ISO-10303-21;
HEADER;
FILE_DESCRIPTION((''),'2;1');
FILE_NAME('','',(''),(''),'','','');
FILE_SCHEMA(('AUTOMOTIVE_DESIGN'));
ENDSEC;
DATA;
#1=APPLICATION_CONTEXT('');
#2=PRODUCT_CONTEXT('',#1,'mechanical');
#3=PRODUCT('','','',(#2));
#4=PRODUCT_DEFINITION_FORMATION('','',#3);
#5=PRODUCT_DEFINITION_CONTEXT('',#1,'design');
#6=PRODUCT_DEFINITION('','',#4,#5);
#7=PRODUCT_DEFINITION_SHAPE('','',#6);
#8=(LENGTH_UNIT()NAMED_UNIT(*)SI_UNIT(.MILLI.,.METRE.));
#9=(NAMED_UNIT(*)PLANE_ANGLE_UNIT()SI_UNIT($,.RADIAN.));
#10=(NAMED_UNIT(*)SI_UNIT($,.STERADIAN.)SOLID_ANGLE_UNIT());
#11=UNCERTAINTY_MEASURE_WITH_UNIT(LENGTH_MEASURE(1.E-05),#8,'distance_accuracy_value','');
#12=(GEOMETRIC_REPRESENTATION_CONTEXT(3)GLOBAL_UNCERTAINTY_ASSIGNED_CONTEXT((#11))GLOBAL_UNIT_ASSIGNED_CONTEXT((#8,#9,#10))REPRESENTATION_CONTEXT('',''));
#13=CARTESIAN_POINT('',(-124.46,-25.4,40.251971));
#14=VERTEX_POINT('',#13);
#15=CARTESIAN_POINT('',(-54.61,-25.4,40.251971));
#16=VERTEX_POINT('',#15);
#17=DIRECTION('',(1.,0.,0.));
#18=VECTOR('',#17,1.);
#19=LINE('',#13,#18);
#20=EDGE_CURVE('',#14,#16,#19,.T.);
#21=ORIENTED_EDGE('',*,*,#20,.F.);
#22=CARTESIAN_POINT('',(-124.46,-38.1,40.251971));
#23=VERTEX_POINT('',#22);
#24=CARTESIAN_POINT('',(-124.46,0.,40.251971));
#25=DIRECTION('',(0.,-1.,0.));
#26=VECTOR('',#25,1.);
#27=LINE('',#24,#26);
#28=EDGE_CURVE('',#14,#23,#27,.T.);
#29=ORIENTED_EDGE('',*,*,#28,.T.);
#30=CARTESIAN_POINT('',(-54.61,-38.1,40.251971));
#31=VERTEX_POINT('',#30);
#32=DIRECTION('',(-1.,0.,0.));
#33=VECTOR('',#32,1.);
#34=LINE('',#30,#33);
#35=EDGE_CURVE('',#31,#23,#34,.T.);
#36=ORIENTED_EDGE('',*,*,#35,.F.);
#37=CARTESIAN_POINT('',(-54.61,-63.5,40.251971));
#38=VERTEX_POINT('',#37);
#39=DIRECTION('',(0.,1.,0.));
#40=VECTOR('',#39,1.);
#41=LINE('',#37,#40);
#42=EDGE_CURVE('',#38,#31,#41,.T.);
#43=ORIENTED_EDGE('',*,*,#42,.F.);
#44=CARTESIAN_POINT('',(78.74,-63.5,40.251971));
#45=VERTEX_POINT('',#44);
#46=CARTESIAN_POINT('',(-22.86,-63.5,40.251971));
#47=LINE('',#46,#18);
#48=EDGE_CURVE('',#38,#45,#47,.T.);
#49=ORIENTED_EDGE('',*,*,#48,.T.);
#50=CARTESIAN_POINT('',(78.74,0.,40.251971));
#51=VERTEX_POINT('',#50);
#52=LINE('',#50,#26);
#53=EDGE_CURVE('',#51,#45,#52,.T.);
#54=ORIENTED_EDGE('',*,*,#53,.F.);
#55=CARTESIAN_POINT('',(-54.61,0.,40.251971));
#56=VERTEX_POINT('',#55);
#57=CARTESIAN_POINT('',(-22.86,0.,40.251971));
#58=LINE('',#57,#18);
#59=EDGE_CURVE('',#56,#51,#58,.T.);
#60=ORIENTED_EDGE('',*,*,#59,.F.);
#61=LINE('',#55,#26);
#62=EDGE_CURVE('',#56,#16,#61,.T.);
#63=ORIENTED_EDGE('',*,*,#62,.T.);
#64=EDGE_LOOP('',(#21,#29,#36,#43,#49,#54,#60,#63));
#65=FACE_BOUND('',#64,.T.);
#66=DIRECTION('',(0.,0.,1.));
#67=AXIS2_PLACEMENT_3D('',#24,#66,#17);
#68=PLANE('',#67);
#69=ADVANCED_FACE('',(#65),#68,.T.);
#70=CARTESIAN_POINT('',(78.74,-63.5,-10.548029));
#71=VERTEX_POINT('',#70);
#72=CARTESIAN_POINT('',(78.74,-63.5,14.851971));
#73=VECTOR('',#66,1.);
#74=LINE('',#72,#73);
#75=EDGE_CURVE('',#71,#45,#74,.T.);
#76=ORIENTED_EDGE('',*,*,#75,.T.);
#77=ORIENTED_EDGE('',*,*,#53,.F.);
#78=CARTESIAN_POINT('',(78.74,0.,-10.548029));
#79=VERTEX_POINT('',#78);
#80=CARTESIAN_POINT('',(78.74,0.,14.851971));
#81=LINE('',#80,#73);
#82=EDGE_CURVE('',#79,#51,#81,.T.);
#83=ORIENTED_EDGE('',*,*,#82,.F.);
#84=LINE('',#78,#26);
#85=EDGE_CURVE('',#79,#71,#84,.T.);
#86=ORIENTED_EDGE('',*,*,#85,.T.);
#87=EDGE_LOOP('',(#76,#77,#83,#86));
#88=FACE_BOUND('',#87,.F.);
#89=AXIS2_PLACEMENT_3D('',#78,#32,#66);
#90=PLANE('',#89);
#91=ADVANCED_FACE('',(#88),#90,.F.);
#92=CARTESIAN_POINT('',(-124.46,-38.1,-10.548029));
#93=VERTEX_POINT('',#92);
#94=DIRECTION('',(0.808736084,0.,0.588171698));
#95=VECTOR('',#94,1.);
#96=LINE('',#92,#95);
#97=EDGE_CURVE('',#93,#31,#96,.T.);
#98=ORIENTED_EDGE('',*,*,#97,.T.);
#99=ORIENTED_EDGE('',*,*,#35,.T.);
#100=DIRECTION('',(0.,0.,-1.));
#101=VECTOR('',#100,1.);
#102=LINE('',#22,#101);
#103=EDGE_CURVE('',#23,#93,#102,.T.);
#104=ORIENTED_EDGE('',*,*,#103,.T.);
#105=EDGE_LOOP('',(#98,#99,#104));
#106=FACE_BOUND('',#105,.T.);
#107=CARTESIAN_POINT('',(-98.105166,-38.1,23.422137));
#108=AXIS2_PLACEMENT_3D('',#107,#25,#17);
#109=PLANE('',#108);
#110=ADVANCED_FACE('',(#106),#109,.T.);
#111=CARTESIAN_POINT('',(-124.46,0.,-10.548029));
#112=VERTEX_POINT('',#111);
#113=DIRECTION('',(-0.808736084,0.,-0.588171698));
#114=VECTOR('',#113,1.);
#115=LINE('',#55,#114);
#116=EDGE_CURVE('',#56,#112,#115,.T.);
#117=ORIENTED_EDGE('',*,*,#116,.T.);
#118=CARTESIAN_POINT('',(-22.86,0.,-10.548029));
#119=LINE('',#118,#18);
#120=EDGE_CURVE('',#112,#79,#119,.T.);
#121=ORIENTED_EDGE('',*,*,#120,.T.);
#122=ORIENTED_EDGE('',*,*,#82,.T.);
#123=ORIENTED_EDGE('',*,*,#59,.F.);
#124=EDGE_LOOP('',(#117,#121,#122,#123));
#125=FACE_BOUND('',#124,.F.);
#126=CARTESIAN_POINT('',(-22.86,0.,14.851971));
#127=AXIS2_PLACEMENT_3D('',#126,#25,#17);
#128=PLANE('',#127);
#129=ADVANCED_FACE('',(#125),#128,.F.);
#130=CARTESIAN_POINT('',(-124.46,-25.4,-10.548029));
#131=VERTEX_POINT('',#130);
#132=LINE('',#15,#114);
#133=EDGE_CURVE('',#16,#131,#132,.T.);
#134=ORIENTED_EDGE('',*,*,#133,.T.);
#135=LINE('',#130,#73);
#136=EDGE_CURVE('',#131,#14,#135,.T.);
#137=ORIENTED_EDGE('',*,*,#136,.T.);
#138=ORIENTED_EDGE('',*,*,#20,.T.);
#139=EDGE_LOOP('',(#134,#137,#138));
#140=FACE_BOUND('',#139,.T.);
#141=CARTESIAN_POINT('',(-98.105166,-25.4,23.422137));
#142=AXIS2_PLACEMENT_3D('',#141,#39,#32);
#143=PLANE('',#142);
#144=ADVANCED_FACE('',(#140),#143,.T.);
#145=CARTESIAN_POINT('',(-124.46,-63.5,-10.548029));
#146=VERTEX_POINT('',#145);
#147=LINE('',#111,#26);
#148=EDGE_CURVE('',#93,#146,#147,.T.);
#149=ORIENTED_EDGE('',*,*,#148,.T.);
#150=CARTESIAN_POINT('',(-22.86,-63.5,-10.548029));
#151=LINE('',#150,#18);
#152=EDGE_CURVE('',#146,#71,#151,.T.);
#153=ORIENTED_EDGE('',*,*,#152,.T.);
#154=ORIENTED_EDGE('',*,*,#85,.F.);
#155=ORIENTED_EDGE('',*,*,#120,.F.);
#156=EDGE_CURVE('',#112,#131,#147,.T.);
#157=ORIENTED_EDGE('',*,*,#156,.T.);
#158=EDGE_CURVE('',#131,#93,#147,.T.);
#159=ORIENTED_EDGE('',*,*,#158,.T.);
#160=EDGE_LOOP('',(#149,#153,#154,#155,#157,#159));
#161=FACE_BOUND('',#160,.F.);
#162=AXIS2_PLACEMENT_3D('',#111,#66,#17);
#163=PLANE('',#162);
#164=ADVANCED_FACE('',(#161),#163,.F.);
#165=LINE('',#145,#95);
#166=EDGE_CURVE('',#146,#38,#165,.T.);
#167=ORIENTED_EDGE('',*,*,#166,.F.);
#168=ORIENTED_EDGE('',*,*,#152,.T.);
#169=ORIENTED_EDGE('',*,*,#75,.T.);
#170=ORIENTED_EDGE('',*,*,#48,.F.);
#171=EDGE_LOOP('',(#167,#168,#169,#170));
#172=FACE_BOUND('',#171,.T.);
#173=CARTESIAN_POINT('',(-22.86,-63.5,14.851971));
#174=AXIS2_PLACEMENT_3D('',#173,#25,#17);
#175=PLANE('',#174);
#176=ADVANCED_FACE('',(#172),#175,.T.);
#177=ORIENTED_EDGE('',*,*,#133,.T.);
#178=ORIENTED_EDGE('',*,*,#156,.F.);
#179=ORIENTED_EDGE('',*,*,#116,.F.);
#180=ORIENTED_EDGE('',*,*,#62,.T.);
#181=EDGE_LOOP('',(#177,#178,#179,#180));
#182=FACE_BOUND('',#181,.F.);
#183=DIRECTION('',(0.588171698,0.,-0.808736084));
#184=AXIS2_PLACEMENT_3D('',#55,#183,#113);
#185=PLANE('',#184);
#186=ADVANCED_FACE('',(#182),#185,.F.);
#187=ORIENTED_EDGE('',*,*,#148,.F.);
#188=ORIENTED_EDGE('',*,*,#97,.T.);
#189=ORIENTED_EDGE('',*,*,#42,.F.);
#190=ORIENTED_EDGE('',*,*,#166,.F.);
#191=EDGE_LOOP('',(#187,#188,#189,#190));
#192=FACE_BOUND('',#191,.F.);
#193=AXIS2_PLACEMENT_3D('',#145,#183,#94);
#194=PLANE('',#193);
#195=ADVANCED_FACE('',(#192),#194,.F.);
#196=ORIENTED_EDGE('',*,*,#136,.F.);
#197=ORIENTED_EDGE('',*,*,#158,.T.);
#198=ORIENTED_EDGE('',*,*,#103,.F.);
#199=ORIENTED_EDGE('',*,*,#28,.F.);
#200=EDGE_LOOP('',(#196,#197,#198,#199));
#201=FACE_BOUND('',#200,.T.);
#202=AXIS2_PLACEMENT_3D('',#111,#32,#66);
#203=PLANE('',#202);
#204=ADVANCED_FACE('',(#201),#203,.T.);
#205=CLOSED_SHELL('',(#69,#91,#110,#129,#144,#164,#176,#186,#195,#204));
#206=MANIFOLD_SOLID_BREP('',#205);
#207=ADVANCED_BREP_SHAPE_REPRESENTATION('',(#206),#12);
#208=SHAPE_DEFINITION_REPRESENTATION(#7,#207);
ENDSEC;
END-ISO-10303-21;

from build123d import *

# Parameters (mm, degrees)
F0_W     = 203.2
F0_H     = 50.8
F1_DEPTH = 63.5
F3_DEPTH = 25.4
F5_DEPTH = 25.4


with BuildPart() as f1:
    # F0 (on Front) → F1 (new body)
    with BuildSketch(Plane.XZ):
        with Locations((-22.86, 14.851971)):
            Rectangle(F0_W, F0_H)
    extrude(amount=F1_DEPTH)

    # F2 (on face) → F3 (cut)
    with BuildSketch(Plane.XZ.offset(63.5)):
        Polygon((-124.46, 40.251971), (-124.46, -10.548029), (-54.61, 40.251971), align=None)
    extrude(amount=-F3_DEPTH, mode=Mode.SUBTRACT)

    # F4 (on face) → F5 (cut)
    with BuildSketch(Plane(origin=(0, 0, 0), x_dir=(-1, 0, 0), z_dir=(0, 1, 0))):
        Polygon((54.61, 40.251971), (124.46, -10.548029), (124.46, 40.251971), align=None)
    extrude(amount=-F5_DEPTH, mode=Mode.SUBTRACT)


solid = f1.part
